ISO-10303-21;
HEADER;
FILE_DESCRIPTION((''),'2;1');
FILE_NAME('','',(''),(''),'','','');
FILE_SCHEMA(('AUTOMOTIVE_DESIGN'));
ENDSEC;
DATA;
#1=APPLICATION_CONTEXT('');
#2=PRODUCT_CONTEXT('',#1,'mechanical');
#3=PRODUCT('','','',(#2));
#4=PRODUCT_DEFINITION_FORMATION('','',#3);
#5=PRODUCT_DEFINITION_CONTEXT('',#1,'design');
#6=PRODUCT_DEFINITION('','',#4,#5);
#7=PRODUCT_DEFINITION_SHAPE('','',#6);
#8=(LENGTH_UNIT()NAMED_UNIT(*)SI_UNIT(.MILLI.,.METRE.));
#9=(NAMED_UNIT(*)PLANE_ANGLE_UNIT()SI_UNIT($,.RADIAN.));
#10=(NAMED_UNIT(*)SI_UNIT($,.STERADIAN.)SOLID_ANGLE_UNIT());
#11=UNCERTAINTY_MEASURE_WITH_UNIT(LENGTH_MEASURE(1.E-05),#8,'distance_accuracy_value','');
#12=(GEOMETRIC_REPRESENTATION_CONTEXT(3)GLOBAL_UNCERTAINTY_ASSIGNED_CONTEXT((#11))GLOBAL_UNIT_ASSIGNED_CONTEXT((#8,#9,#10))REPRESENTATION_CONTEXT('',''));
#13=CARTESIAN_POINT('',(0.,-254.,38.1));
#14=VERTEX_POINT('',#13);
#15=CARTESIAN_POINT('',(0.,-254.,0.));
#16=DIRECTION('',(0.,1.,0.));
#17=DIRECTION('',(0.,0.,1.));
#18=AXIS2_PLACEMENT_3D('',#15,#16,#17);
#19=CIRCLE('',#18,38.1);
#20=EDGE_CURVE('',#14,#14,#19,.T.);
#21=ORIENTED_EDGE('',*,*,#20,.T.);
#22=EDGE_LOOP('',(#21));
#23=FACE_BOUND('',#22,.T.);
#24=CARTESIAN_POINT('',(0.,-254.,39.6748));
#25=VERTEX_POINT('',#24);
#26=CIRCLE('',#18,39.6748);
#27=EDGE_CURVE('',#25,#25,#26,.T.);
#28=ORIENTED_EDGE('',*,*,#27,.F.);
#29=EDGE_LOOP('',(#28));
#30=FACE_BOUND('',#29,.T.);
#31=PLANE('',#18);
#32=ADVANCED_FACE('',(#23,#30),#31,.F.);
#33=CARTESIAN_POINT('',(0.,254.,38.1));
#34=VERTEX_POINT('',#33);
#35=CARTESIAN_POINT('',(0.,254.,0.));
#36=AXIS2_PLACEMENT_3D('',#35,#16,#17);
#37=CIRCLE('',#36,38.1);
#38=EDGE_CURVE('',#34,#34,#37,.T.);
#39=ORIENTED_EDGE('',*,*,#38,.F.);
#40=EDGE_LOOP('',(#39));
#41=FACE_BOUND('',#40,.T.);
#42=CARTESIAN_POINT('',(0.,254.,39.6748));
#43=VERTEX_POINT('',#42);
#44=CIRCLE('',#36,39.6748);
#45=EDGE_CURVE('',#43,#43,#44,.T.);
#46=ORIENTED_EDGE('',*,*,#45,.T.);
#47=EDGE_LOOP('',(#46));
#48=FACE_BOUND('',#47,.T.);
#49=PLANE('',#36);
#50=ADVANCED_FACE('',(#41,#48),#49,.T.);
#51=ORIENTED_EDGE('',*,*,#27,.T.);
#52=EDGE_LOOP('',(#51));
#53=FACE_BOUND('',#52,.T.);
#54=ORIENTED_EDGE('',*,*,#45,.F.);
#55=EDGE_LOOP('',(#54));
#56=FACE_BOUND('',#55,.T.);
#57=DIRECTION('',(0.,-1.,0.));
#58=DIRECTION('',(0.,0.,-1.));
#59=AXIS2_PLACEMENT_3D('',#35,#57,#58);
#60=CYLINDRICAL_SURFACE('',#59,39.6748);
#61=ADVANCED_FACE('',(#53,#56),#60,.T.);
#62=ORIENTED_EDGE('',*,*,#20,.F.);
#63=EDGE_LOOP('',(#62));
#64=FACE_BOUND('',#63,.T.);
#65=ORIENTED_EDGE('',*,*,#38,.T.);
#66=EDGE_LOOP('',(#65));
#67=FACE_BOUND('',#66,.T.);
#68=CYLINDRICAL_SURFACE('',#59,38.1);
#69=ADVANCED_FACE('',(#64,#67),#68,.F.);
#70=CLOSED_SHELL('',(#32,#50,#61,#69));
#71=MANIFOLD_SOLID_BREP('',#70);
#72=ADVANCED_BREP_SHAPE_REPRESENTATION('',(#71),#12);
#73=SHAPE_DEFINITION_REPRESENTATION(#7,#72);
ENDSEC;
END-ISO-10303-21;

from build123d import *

# Parameters (mm, degrees)
SKETCH2_R           = 39.6748
SKETCH2_R_2         = 38.1
BOSS_EXTRUDE1_DEPTH = 254


with BuildPart() as part:
    # Sketch2 → Boss-Extrude1 (new, symmetric)
    with BuildSketch(Plane(origin=(0, 0, 0), x_dir=(1, 0, 0), z_dir=(0, 1, 0))):
        with Locations(Location((0, 0, 0), (0, 0, 270))):
            Circle(SKETCH2_R)
        with Locations(Location((0, 0, 0), (0, 0, 270))):
            Circle(SKETCH2_R_2, mode=Mode.SUBTRACT)
    extrude(amount=BOSS_EXTRUDE1_DEPTH, both=True)


solid = part.part
